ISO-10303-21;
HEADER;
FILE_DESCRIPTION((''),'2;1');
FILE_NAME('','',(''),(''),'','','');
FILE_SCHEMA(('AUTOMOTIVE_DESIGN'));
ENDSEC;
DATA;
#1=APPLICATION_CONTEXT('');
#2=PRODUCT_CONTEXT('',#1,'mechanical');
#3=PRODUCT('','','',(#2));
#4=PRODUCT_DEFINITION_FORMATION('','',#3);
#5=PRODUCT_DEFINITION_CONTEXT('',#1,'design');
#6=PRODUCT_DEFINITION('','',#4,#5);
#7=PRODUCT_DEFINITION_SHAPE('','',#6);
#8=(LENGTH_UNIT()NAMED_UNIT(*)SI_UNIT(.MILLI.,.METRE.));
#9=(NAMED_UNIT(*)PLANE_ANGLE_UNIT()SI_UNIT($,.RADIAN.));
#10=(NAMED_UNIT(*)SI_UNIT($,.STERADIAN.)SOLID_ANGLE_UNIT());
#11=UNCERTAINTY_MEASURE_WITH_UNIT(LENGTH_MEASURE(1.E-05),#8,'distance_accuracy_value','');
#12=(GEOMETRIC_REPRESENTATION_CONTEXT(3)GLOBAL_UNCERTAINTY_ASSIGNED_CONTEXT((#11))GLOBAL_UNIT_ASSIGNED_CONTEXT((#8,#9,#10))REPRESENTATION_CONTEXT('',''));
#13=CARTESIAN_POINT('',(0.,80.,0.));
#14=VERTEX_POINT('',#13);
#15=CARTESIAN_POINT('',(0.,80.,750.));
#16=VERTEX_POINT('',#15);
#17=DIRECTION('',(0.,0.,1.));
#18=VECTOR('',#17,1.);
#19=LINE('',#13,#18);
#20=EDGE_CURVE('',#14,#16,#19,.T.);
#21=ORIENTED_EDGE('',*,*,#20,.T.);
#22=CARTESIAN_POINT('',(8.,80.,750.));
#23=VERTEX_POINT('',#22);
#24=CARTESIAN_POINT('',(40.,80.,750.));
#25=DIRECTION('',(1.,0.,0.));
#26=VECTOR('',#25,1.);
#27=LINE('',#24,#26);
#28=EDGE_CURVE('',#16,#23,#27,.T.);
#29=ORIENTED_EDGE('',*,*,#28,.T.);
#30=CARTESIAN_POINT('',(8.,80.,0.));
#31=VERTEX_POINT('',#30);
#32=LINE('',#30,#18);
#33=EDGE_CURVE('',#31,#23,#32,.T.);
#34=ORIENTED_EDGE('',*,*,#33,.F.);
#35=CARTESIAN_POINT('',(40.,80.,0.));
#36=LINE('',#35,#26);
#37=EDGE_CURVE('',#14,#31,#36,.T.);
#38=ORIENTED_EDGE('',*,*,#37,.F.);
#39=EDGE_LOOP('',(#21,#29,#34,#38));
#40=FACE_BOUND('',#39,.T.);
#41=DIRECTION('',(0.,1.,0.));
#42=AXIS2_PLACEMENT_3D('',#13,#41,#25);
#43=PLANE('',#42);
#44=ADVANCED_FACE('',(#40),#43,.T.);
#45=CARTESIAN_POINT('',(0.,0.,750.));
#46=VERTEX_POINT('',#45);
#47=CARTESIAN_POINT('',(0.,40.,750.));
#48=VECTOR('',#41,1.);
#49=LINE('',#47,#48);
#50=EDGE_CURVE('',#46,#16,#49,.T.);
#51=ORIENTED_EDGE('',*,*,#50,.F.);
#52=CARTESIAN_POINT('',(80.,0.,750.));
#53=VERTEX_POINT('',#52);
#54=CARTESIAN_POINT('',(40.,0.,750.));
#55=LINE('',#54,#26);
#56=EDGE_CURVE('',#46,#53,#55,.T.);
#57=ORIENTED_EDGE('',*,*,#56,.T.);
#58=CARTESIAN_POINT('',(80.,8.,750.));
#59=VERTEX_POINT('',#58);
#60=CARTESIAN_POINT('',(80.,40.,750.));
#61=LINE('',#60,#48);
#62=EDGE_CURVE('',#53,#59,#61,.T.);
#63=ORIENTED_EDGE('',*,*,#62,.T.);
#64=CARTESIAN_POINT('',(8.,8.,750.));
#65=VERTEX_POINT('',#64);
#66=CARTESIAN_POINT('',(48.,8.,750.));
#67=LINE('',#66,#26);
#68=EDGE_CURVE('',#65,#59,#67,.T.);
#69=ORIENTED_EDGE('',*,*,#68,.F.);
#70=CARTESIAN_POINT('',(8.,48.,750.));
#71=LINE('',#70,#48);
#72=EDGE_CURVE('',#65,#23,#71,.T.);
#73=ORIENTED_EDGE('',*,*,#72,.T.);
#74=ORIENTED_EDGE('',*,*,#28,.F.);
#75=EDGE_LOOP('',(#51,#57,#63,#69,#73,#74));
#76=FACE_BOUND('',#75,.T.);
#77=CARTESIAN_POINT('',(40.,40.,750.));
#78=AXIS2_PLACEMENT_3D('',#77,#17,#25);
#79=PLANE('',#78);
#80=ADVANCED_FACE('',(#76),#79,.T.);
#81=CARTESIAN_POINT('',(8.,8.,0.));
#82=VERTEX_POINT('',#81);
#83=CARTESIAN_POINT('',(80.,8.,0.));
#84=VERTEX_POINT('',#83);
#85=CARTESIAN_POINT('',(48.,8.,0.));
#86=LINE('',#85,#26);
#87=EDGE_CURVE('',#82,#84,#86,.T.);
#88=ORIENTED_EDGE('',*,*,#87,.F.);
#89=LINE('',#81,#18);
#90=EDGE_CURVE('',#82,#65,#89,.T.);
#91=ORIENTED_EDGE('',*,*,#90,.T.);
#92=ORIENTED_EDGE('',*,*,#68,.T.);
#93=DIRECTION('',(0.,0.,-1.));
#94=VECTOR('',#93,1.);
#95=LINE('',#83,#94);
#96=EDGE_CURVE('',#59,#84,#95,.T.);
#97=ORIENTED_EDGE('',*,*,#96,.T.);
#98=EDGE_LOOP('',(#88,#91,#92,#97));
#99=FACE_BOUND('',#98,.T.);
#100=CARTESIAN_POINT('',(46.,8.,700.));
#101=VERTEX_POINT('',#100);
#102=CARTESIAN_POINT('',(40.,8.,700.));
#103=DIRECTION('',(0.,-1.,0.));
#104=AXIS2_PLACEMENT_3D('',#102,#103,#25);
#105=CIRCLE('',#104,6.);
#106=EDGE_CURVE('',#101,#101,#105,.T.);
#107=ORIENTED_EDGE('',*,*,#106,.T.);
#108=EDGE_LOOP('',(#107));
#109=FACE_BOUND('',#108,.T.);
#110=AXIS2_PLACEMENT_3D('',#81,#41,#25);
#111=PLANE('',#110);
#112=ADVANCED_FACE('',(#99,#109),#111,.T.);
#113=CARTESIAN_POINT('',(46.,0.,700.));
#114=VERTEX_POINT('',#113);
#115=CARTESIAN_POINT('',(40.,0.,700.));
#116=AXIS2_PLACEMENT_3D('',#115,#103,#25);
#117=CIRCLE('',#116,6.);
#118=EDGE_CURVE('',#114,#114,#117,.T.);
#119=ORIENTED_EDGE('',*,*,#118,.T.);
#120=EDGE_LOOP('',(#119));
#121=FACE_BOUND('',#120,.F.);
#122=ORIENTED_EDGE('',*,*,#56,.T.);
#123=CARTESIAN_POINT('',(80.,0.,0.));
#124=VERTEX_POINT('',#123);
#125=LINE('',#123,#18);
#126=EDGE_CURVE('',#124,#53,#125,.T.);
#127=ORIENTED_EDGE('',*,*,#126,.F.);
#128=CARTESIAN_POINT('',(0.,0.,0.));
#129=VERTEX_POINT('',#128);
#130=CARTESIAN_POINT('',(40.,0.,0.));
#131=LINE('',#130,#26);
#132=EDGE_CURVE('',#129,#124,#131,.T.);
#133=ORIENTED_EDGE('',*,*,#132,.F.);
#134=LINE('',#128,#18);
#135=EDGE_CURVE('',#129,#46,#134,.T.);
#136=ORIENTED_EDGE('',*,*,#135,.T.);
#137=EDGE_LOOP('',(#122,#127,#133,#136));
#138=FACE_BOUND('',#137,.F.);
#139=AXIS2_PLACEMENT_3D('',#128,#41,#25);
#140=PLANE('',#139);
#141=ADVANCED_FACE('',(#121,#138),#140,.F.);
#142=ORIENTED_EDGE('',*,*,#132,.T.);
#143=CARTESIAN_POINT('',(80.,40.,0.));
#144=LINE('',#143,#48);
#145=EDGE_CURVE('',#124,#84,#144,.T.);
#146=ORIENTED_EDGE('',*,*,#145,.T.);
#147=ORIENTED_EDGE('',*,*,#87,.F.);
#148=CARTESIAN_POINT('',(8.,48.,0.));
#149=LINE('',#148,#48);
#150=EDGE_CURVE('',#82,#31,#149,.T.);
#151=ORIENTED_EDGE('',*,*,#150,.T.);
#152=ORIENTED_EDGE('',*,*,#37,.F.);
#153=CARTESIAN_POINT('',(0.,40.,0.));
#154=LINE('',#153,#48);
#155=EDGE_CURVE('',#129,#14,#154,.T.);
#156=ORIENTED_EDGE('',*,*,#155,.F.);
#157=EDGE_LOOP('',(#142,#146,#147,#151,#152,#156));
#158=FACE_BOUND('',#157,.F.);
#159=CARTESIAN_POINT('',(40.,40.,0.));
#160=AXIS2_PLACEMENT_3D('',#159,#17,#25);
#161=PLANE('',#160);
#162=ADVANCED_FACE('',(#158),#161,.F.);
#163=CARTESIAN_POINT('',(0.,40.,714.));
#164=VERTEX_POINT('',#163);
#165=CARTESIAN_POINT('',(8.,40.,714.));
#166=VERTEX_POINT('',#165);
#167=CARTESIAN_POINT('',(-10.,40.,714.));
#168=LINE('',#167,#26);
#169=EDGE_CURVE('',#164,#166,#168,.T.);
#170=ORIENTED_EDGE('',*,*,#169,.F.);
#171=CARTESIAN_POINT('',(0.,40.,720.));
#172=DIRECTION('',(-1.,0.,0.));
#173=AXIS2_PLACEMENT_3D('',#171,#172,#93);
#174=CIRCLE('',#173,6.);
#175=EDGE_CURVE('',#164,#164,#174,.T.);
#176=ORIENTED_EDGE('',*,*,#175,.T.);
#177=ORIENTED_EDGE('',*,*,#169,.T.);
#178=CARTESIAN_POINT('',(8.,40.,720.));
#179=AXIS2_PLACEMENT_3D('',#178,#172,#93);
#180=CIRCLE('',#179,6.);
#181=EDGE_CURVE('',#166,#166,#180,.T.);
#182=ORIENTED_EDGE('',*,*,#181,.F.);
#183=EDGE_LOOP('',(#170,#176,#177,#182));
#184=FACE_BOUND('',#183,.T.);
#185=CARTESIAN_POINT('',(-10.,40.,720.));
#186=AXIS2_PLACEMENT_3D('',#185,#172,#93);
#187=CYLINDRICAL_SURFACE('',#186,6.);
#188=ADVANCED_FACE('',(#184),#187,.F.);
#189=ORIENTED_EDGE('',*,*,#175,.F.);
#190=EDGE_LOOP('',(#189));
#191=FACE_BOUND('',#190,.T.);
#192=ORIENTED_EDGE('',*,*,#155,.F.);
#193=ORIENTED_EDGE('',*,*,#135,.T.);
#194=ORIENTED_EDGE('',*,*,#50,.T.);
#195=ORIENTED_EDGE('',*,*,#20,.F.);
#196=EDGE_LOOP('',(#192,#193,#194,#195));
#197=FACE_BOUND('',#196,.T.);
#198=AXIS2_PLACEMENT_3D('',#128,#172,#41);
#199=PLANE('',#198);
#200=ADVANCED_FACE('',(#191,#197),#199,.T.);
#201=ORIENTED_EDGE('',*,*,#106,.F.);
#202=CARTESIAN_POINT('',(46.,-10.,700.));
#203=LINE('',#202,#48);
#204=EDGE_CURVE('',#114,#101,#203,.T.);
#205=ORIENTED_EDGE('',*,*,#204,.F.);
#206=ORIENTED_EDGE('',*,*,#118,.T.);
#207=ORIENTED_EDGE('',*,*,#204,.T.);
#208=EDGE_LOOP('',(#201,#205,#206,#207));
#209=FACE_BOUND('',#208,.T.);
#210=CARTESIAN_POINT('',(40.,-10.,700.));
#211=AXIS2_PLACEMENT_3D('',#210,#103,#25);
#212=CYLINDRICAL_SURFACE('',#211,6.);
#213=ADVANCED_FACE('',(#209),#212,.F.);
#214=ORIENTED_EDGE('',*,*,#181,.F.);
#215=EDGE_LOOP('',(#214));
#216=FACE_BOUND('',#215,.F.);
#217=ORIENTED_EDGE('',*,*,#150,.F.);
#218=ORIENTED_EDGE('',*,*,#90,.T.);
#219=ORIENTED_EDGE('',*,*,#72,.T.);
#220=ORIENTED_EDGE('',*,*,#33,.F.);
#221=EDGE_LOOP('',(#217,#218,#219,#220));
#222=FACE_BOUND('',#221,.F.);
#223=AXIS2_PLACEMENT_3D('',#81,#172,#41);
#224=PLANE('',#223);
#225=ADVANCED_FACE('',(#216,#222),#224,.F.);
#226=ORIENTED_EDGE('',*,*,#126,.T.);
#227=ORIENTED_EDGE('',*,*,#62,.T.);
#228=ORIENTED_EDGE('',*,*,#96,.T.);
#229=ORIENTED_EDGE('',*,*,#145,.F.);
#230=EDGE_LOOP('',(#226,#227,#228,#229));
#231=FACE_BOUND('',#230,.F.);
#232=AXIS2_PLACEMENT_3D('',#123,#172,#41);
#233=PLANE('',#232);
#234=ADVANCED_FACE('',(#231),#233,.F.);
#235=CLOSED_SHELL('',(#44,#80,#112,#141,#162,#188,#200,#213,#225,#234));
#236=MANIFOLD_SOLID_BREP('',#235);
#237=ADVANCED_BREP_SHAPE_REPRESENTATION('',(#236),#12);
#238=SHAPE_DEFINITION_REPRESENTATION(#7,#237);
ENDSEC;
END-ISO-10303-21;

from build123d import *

# Parameters (mm, degrees)
CYLINDER002_R          = 6
CYLINDER002_DEPTH      = 900
CYLINDER002_ROLL_ANGLE = -90
CYLINDER_R             = 6
CYLINDER_DEPTH         = 1300
CYLINDER_PITCH_ANGLE   = 90
BOX001_W               = 80
BOX001_H               = 80
BOX001_DEPTH           = 750
BOX_W                  = 80
BOX_H                  = 80
BOX_DEPTH              = 750


with BuildPart() as cylinder002:
    # Cylinder002 → Cylinder002 (new body)
    with BuildSketch(Plane.XY):
        Circle(CYLINDER002_R)
    extrude(amount=CYLINDER002_DEPTH)


with BuildPart() as cylinder002_1:
    # Cylinder002 roll: moved
    add(cylinder002.part.rotate(Axis((0, 0, 0), (1, 0, 0)), CYLINDER002_ROLL_ANGLE))


with BuildPart() as cylinder002_2:
    # Cylinder002 placement: moved
    add(cylinder002_1.part.moved(Location((40, -10, 700))))


with BuildPart() as cylinder:
    # Cylinder → Cylinder (new body)
    with BuildSketch(Plane.XY):
        Circle(CYLINDER_R)
    extrude(amount=CYLINDER_DEPTH)


with BuildPart() as cylinder_1:
    # Cylinder pitch: moved
    add(cylinder.part.rotate(Axis((0, 0, 0), (0, 1, 0)), CYLINDER_PITCH_ANGLE))


with BuildPart() as cylinder_2:
    # Cylinder placement: moved
    add(cylinder_1.part.moved(Location((-10, 40, 720))))


with BuildPart() as cube001:
    # Box001 → Box001 (new body)
    with BuildSketch(Plane(origin=(8, 8, 0), x_dir=(1, 0, 0), z_dir=(0, 0, 1))):
        with Locations((40, 40)):
            Rectangle(BOX001_W, BOX001_H)
    extrude(amount=BOX001_DEPTH)


with BuildPart() as cut006:
    # Box → Box (new body)
    with BuildSketch(Plane.XY):
        with Locations((40, 40)):
            Rectangle(BOX_W, BOX_H)
    extrude(amount=BOX_DEPTH)

    # Cut: cut Cube001
    add(cube001.part, mode=Mode.SUBTRACT)

    # Cut004: cut Cylinder
    add(cylinder_2.part, mode=Mode.SUBTRACT)

    # Cut006: cut Cylinder002
    add(cylinder002_2.part, mode=Mode.SUBTRACT)


solid = cut006.part
